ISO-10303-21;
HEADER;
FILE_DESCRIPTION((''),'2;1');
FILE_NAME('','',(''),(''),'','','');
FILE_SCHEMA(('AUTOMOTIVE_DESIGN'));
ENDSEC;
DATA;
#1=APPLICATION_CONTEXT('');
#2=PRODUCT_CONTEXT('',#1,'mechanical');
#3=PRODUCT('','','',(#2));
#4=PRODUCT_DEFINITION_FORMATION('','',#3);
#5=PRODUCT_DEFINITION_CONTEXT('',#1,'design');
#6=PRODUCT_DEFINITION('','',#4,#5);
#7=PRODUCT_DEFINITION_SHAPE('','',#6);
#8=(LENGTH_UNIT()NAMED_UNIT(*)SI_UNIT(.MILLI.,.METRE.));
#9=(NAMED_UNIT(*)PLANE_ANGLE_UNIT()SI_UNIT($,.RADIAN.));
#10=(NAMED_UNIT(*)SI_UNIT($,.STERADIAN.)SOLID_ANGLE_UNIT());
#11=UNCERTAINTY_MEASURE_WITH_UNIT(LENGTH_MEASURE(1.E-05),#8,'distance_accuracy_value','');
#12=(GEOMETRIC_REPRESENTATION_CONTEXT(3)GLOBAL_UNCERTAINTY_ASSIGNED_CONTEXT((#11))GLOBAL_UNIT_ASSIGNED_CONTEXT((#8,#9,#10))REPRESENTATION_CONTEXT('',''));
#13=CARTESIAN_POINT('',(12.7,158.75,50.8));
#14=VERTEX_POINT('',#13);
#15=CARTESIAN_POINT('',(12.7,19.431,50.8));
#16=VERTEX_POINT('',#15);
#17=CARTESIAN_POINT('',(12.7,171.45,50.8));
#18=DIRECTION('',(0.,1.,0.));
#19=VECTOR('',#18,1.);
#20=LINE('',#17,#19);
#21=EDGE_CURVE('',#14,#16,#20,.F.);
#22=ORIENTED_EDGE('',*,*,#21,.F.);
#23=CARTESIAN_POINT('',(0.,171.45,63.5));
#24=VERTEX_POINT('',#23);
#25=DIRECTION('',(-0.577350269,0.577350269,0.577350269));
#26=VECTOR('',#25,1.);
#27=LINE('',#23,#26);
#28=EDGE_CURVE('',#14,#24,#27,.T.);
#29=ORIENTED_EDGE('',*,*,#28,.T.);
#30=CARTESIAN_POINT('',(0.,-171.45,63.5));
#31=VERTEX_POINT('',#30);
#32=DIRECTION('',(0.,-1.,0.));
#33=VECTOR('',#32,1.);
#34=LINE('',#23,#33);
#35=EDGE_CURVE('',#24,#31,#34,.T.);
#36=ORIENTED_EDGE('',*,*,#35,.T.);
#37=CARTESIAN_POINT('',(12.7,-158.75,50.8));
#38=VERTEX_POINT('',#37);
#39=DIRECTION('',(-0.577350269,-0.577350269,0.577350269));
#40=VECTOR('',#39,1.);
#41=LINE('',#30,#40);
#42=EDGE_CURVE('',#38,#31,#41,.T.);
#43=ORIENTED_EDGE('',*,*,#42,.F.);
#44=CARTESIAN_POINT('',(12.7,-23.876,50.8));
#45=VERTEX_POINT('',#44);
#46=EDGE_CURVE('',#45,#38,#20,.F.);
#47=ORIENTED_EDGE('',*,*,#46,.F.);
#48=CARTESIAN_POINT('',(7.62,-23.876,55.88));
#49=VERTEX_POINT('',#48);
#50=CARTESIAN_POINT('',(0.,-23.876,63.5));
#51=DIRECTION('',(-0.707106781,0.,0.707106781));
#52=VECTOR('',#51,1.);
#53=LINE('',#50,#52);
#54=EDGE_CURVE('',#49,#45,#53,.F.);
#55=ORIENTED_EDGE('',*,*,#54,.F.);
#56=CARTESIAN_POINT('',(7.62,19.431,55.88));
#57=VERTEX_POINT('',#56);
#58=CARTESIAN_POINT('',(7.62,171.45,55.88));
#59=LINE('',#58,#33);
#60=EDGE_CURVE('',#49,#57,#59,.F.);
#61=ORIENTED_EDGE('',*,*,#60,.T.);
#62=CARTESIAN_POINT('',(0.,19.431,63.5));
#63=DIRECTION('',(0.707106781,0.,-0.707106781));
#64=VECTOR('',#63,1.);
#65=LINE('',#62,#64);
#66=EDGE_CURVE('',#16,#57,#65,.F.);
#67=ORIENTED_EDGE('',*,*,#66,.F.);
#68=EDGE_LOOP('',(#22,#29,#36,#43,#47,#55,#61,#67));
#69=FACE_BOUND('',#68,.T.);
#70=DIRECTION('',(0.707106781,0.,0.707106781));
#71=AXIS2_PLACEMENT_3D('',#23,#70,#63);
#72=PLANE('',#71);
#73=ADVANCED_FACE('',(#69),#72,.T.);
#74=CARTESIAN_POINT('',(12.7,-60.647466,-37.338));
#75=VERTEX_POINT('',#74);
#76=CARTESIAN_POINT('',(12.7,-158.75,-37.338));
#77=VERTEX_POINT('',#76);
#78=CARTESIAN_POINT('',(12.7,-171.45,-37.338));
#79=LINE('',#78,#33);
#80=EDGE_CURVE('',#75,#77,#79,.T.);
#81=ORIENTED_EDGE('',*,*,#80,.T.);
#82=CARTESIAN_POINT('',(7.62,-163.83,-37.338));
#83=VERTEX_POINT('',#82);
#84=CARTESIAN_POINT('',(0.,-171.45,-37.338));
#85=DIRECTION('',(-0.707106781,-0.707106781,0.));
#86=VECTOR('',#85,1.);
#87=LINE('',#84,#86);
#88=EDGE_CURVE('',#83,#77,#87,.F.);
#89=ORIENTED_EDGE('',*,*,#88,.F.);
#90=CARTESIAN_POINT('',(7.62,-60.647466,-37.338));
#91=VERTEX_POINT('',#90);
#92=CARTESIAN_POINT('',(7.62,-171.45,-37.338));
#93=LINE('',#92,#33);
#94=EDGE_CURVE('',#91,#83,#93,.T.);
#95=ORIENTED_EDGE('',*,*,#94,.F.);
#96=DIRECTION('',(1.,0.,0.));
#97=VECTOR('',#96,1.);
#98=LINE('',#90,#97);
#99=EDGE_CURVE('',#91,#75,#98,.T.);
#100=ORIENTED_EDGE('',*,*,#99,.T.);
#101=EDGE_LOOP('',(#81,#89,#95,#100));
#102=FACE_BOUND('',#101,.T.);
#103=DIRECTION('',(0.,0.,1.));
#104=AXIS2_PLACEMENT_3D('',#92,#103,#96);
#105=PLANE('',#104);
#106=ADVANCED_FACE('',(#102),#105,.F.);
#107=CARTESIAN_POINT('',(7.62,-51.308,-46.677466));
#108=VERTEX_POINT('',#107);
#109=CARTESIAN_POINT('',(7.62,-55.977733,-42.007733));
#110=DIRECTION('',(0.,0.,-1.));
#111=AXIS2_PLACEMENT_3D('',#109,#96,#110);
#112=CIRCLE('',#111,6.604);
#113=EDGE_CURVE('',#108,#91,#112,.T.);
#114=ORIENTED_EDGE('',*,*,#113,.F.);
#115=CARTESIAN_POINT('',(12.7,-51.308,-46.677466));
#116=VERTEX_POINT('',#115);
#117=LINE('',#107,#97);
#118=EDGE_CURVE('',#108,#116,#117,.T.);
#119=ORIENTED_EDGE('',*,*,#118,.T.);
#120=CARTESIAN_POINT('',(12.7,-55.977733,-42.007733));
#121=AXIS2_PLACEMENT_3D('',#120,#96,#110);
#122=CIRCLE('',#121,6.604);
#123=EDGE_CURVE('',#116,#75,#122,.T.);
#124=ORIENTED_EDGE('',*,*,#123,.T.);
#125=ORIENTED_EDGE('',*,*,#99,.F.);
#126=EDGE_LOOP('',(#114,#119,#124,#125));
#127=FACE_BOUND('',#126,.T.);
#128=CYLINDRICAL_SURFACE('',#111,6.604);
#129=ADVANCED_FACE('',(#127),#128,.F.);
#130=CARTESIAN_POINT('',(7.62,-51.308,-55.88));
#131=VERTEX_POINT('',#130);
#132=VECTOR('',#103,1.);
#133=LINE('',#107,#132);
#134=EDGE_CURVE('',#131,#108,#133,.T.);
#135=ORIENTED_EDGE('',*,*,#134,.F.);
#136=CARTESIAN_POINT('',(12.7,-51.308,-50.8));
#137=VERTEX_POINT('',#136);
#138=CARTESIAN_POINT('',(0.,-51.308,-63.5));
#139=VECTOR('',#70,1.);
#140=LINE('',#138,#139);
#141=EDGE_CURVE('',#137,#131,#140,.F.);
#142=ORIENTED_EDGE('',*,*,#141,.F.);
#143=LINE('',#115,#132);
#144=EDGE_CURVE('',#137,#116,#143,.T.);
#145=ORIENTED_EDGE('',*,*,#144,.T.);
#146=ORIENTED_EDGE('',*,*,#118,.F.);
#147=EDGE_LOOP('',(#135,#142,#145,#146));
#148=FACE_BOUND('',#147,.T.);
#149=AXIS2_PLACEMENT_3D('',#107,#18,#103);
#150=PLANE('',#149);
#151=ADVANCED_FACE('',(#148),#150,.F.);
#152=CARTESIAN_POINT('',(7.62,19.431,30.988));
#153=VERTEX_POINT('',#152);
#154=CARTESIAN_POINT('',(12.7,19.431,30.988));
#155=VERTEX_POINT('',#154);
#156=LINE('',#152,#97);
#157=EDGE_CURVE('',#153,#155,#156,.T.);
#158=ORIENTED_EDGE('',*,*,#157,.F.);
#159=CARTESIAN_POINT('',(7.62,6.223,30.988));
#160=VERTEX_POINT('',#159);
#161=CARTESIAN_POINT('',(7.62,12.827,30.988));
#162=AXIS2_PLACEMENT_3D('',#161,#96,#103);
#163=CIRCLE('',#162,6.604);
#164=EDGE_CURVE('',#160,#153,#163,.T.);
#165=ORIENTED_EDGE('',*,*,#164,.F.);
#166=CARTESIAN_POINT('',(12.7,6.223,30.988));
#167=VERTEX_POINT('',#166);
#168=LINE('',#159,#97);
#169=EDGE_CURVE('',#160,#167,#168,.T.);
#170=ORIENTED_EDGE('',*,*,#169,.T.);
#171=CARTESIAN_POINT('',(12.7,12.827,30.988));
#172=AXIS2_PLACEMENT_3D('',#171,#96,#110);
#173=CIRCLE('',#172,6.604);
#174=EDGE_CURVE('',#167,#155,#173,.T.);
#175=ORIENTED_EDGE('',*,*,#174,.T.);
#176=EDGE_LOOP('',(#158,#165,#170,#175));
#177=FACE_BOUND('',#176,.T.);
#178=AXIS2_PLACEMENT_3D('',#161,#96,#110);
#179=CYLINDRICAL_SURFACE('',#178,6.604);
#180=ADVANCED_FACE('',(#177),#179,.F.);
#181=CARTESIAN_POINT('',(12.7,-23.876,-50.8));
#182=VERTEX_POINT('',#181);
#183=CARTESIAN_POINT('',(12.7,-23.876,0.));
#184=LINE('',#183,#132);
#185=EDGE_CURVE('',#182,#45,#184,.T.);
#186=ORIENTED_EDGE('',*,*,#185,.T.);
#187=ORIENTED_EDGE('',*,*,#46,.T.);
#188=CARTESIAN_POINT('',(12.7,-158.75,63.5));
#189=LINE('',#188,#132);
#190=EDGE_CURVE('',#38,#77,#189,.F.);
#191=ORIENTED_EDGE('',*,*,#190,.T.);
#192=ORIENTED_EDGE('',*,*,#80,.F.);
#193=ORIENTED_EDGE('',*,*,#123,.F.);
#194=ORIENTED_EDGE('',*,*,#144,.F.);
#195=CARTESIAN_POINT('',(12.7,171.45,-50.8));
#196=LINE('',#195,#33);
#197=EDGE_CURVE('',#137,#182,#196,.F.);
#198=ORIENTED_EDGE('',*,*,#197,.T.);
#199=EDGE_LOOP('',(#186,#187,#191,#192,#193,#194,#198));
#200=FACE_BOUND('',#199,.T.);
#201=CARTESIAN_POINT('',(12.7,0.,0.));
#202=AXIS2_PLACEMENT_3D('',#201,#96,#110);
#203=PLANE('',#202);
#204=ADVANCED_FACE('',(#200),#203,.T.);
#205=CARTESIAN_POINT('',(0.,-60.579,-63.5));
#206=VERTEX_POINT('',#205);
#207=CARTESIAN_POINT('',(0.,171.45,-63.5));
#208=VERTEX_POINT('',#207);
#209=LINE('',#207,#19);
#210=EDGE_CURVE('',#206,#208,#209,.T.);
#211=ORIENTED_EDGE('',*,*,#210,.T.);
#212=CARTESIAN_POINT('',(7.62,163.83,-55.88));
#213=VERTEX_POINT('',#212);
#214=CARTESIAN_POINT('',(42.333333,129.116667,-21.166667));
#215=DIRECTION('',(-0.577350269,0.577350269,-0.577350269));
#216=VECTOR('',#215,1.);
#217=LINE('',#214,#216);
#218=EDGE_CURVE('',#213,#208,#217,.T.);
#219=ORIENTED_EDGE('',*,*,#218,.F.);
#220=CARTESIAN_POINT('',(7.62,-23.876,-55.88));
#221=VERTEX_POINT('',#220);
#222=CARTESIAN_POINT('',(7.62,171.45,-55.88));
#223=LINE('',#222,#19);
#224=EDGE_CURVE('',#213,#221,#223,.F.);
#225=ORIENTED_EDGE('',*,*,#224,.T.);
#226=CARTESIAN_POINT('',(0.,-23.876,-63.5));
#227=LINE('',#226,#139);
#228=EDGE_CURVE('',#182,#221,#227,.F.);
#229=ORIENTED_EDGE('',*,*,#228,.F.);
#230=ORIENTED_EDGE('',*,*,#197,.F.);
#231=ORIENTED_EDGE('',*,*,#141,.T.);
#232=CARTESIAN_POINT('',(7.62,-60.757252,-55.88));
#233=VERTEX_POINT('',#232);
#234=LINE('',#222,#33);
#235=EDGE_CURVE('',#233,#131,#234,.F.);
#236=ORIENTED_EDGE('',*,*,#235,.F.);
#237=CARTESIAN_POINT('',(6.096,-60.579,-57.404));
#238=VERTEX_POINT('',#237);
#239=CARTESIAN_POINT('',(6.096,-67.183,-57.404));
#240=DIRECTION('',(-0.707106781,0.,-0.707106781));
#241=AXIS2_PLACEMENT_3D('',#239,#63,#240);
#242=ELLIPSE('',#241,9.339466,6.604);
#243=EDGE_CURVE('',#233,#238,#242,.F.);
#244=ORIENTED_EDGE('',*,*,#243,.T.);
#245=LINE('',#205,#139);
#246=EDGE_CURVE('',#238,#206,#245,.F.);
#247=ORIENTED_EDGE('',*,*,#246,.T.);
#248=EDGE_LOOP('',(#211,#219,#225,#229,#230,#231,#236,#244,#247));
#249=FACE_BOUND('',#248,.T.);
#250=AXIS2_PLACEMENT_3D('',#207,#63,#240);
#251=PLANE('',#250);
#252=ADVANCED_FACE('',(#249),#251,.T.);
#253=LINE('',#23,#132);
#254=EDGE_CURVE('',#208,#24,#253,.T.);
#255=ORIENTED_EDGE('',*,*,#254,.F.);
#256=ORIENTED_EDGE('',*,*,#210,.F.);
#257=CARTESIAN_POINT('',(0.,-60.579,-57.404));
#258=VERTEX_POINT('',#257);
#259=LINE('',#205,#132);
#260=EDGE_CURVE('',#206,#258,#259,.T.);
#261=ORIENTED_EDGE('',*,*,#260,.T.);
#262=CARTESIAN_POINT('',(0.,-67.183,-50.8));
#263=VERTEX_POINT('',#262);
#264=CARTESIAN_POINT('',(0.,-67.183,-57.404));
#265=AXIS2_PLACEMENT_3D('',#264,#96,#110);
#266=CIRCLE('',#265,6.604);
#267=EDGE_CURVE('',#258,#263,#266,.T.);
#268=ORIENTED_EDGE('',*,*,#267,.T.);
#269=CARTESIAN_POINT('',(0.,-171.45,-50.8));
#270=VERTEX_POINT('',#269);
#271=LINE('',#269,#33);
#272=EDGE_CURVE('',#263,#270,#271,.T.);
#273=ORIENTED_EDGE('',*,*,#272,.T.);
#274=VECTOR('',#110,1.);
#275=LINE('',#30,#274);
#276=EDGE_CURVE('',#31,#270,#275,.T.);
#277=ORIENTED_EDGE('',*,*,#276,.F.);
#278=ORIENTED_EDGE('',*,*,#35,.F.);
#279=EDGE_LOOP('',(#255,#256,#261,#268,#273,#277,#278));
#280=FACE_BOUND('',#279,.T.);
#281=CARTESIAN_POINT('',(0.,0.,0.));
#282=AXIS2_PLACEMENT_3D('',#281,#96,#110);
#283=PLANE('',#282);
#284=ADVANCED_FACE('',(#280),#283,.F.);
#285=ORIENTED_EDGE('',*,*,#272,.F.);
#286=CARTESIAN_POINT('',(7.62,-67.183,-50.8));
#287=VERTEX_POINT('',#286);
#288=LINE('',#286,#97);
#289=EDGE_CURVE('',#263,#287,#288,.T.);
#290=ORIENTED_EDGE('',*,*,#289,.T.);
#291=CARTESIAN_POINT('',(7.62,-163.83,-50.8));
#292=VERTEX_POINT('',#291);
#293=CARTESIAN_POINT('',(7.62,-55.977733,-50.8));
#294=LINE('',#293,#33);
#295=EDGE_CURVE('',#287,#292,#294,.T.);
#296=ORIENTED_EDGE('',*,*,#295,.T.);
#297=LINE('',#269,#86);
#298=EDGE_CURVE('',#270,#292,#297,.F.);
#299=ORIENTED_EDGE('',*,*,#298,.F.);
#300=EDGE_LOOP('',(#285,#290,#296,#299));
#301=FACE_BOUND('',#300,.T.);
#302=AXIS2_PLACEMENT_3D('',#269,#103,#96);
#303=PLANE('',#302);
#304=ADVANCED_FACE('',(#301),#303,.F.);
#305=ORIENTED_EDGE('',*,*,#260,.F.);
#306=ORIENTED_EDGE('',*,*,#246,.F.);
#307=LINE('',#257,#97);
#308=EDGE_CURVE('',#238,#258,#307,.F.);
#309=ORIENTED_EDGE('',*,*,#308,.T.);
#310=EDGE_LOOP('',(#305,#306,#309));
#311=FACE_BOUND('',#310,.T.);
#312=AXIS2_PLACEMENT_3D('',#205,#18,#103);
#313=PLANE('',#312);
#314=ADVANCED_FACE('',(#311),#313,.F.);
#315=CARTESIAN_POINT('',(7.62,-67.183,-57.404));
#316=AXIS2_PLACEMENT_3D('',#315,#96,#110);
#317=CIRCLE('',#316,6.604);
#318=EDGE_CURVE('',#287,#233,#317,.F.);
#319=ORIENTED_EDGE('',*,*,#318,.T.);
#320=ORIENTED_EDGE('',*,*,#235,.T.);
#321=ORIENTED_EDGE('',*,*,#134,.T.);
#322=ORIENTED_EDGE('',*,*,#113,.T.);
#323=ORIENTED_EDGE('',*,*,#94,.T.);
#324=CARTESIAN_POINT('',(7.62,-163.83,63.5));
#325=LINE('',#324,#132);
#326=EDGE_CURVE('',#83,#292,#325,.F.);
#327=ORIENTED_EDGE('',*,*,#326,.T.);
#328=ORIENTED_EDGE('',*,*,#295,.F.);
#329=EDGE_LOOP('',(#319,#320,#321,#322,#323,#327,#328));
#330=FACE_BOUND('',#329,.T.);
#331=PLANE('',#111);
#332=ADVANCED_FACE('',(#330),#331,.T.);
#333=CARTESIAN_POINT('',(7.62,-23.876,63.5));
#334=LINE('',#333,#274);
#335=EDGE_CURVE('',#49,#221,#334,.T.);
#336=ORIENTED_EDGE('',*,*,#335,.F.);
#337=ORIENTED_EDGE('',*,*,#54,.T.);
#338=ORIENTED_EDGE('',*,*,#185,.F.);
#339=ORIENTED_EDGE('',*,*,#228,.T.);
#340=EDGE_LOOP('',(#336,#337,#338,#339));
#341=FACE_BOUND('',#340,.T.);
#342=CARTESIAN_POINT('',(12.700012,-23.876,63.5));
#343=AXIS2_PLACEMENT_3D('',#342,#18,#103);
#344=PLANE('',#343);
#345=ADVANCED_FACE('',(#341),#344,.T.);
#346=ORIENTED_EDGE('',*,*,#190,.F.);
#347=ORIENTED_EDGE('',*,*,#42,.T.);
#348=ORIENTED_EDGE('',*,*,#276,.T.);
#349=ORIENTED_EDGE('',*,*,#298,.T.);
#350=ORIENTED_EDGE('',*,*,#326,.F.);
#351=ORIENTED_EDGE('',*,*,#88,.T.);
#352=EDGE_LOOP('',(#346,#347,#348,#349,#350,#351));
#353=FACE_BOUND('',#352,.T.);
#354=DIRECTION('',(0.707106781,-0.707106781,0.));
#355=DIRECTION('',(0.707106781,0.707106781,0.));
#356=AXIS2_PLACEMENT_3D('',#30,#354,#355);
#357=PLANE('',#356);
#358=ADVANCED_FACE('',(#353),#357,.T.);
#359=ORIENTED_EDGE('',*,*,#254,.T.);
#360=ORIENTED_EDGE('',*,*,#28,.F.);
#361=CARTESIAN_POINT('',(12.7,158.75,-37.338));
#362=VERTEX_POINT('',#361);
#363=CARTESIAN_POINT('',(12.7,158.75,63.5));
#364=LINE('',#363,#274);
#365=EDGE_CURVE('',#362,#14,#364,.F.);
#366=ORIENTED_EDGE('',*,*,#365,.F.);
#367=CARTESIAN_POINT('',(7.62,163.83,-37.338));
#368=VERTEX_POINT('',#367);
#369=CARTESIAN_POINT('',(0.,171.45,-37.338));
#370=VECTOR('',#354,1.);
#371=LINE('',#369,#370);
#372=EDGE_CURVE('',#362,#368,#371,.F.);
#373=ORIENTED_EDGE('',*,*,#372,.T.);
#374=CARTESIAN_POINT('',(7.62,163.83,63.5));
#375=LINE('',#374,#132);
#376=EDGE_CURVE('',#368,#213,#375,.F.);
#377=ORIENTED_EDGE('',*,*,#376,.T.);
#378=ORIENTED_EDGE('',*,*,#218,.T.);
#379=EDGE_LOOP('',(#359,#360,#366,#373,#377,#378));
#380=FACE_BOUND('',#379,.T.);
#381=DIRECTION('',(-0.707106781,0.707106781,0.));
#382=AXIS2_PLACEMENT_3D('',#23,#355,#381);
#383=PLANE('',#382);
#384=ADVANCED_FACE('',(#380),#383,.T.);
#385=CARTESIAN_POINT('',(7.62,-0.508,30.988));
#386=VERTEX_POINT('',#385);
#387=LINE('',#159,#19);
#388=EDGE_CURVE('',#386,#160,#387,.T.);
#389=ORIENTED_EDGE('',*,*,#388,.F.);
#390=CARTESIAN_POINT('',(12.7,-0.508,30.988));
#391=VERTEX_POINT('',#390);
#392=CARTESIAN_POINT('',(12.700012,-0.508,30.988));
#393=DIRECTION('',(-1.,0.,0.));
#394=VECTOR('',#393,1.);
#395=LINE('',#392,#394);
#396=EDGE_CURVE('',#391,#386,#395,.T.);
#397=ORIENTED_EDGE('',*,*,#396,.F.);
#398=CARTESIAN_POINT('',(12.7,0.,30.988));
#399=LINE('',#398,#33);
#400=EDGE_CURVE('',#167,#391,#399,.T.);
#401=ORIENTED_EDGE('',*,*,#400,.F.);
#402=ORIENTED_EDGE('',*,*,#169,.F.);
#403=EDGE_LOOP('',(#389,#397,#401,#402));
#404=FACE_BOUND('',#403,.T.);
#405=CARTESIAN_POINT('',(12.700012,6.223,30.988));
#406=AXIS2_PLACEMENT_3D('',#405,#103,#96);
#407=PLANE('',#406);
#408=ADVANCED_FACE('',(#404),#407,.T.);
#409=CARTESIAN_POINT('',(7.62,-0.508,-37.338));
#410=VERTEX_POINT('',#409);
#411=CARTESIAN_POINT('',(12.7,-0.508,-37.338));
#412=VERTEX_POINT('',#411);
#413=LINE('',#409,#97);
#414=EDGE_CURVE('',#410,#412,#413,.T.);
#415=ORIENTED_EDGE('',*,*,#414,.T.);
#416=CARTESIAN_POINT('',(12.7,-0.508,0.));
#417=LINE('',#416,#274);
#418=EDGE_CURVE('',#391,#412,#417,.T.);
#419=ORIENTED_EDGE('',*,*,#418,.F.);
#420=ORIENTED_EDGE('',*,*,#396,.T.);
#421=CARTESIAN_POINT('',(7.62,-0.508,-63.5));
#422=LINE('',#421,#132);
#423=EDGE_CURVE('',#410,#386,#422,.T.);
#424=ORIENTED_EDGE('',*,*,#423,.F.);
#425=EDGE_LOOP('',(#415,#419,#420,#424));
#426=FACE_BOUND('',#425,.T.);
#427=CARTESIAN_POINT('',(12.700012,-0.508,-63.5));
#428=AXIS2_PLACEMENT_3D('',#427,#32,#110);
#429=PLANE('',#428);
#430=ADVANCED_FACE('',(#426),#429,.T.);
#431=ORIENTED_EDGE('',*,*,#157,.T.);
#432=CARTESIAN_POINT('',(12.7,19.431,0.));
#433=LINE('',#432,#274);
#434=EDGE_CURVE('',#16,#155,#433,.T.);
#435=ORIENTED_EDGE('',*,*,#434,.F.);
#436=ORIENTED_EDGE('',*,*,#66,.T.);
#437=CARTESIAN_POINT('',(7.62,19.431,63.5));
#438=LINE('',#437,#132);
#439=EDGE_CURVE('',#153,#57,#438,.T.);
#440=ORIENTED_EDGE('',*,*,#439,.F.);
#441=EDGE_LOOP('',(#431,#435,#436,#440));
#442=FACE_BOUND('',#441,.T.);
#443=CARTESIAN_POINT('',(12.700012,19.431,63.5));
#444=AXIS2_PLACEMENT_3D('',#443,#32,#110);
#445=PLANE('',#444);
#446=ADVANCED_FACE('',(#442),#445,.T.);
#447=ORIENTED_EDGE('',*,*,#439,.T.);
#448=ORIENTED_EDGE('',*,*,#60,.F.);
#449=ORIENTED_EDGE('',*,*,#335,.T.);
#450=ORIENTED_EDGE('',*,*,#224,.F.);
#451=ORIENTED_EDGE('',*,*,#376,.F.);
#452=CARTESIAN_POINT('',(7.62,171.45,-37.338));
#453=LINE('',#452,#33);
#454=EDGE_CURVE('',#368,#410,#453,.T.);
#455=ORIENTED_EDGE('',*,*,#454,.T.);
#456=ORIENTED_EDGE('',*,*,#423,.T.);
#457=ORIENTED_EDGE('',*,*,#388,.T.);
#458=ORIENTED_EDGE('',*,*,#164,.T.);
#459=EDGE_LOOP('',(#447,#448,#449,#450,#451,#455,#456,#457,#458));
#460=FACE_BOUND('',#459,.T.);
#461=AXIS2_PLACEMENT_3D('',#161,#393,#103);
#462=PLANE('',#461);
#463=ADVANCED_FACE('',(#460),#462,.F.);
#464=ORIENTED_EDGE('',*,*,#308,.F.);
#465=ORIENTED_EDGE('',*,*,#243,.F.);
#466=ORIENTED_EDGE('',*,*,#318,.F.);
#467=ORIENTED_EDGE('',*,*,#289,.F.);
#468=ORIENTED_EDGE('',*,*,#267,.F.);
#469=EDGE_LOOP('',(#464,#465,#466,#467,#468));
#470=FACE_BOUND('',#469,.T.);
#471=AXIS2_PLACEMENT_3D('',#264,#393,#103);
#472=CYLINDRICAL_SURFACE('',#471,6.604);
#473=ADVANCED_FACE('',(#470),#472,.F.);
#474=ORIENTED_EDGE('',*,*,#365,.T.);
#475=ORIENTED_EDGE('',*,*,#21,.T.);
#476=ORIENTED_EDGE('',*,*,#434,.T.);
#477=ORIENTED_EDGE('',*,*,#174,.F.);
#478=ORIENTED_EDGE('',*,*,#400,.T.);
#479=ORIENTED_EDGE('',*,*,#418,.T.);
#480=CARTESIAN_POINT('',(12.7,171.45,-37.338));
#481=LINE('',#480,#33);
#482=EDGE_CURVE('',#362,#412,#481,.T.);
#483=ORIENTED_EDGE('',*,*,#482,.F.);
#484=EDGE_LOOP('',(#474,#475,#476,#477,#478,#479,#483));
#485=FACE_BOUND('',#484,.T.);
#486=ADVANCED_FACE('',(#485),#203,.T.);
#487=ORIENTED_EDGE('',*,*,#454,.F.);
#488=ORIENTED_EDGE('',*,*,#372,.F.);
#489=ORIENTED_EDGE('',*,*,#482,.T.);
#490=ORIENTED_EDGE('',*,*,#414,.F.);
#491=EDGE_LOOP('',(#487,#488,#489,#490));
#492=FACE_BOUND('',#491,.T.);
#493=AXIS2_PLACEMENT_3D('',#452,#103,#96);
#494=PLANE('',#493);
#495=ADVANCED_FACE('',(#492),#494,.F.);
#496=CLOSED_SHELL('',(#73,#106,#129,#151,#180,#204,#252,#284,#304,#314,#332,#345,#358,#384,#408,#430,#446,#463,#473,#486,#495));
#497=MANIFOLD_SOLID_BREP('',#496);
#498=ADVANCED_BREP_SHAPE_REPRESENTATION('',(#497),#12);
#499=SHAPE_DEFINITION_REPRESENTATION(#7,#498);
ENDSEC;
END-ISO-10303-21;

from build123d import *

# Parameters (mm, degrees)
SKETCH1_W               = 127
SKETCH1_H               = 342.9
BOSS_EXTRUDE1_DEPTH     = 12.7
DRAFT1_ANGLE            = -45
CUT_EXTRUDE1_DEPTH      = 184.272045059
CUT_EXTRUDE1_DEPTH_BACK = 5.08
CUT_EXTRUDE2_DEPTH      = 5.08
SKETCH4_W               = 12.7
SKETCH4_H               = 110.871
CUT_EXTRUDE6_DEPTH      = 184.272045059
SKETCH5_W               = 26.162
SKETCH5_H               = 171.958
CUT_EXTRUDE7_DEPTH      = 5.08
FILLET1_R               = 6.604


with BuildPart() as part:
    # Sketch1 → Boss-Extrude1 (new body)
    with BuildSketch(Plane(origin=(0, 0, 0), x_dir=(0, 0, -1), z_dir=(1, 0, 0))):
        Rectangle(SKETCH1_W, SKETCH1_H)
    extrude(amount=BOSS_EXTRUDE1_DEPTH)

    # Draft1
    draft1_faces = [part.faces().sort_by_distance(p)[0] for p in [
        (6.35, -171.45, 0),
        (6.35, 0, -63.5),
        (6.35, 0, 63.5),
        (6.35, 171.45, 0),
    ]]
    draft(draft1_faces, Plane(origin=(0, 0, 0), x_dir=(0, 0, -1), z_dir=(-1, 0, 0)), DRAFT1_ANGLE)

    # Sketch2 → Cut-Extrude1 (cut, two sides: drawn at the far end of the back side and taken through both)
    with BuildSketch(Plane(origin=(12.7, 0, 0), x_dir=(0, 0, -1), z_dir=(1, 0, 0)).offset(-CUT_EXTRUDE1_DEPTH_BACK)):
        with BuildLine():
            Line((-63.5, 19.431), (-30.988, 19.431))
            ThreePointArc((-30.988, 19.431), (-24.384, 12.827), (-30.988, 6.223))
            Line((-30.988, 6.223), (-30.988, -0.508))
            Line((-30.988, -0.508), (63.5, -0.508))
            Line((63.5, -0.508), (63.5, -23.876))
            Line((63.5, -23.876), (-63.5, -23.876))
            Line((-63.5, -23.876), (-63.5, 19.431))
        make_face()
    extrude(amount=CUT_EXTRUDE1_DEPTH + CUT_EXTRUDE1_DEPTH_BACK, mode=Mode.SUBTRACT)

    # Sketch3 → Cut-Extrude2 (cut)
    with BuildSketch(Plane(origin=(12.7, 0, 0), x_dir=(0, 0, -1), z_dir=(1, 0, 0))):
        with BuildLine():
            Line((37.338, -171.45), (63.5, -171.45))
            Line((63.5, -171.45), (63.5, -51.308))
            Line((63.5, -51.308), (46.677466366, -51.308))
            ThreePointArc((46.677466366, -51.308), (37.338, -51.308), (37.338, -60.647466366))
            Line((37.338, -60.647466366), (37.338, -171.45))
        make_face()
    extrude(amount=-CUT_EXTRUDE2_DEPTH, mode=Mode.SUBTRACT)

    # Sketch4 → Cut-Extrude6 (cut, through all)
    with BuildSketch(Plane(origin=(12.7, 0, 0), x_dir=(0, 0, -1), z_dir=(1, 0, 0))):
        with Locations((57.15, -116.0145)):
            Rectangle(SKETCH4_W, SKETCH4_H)
    extrude(amount=-CUT_EXTRUDE6_DEPTH, mode=Mode.SUBTRACT)

    # Sketch5 → Cut-Extrude7 (cut)
    with BuildSketch(Plane(origin=(12.7, 0, 0), x_dir=(0, 0, -1), z_dir=(1, 0, 0))):
        with Locations((50.419, 85.471)):
            Rectangle(SKETCH5_W, SKETCH5_H)
    extrude(amount=-CUT_EXTRUDE7_DEPTH, mode=Mode.SUBTRACT)

    # Fillet1
    fillet1_edges = [part.edges().sort_by_distance(p)[0] for p in [
        (3.81, -60.579, -50.8),
    ]]
    fillet(fillet1_edges, radius=FILLET1_R)


solid = part.part
